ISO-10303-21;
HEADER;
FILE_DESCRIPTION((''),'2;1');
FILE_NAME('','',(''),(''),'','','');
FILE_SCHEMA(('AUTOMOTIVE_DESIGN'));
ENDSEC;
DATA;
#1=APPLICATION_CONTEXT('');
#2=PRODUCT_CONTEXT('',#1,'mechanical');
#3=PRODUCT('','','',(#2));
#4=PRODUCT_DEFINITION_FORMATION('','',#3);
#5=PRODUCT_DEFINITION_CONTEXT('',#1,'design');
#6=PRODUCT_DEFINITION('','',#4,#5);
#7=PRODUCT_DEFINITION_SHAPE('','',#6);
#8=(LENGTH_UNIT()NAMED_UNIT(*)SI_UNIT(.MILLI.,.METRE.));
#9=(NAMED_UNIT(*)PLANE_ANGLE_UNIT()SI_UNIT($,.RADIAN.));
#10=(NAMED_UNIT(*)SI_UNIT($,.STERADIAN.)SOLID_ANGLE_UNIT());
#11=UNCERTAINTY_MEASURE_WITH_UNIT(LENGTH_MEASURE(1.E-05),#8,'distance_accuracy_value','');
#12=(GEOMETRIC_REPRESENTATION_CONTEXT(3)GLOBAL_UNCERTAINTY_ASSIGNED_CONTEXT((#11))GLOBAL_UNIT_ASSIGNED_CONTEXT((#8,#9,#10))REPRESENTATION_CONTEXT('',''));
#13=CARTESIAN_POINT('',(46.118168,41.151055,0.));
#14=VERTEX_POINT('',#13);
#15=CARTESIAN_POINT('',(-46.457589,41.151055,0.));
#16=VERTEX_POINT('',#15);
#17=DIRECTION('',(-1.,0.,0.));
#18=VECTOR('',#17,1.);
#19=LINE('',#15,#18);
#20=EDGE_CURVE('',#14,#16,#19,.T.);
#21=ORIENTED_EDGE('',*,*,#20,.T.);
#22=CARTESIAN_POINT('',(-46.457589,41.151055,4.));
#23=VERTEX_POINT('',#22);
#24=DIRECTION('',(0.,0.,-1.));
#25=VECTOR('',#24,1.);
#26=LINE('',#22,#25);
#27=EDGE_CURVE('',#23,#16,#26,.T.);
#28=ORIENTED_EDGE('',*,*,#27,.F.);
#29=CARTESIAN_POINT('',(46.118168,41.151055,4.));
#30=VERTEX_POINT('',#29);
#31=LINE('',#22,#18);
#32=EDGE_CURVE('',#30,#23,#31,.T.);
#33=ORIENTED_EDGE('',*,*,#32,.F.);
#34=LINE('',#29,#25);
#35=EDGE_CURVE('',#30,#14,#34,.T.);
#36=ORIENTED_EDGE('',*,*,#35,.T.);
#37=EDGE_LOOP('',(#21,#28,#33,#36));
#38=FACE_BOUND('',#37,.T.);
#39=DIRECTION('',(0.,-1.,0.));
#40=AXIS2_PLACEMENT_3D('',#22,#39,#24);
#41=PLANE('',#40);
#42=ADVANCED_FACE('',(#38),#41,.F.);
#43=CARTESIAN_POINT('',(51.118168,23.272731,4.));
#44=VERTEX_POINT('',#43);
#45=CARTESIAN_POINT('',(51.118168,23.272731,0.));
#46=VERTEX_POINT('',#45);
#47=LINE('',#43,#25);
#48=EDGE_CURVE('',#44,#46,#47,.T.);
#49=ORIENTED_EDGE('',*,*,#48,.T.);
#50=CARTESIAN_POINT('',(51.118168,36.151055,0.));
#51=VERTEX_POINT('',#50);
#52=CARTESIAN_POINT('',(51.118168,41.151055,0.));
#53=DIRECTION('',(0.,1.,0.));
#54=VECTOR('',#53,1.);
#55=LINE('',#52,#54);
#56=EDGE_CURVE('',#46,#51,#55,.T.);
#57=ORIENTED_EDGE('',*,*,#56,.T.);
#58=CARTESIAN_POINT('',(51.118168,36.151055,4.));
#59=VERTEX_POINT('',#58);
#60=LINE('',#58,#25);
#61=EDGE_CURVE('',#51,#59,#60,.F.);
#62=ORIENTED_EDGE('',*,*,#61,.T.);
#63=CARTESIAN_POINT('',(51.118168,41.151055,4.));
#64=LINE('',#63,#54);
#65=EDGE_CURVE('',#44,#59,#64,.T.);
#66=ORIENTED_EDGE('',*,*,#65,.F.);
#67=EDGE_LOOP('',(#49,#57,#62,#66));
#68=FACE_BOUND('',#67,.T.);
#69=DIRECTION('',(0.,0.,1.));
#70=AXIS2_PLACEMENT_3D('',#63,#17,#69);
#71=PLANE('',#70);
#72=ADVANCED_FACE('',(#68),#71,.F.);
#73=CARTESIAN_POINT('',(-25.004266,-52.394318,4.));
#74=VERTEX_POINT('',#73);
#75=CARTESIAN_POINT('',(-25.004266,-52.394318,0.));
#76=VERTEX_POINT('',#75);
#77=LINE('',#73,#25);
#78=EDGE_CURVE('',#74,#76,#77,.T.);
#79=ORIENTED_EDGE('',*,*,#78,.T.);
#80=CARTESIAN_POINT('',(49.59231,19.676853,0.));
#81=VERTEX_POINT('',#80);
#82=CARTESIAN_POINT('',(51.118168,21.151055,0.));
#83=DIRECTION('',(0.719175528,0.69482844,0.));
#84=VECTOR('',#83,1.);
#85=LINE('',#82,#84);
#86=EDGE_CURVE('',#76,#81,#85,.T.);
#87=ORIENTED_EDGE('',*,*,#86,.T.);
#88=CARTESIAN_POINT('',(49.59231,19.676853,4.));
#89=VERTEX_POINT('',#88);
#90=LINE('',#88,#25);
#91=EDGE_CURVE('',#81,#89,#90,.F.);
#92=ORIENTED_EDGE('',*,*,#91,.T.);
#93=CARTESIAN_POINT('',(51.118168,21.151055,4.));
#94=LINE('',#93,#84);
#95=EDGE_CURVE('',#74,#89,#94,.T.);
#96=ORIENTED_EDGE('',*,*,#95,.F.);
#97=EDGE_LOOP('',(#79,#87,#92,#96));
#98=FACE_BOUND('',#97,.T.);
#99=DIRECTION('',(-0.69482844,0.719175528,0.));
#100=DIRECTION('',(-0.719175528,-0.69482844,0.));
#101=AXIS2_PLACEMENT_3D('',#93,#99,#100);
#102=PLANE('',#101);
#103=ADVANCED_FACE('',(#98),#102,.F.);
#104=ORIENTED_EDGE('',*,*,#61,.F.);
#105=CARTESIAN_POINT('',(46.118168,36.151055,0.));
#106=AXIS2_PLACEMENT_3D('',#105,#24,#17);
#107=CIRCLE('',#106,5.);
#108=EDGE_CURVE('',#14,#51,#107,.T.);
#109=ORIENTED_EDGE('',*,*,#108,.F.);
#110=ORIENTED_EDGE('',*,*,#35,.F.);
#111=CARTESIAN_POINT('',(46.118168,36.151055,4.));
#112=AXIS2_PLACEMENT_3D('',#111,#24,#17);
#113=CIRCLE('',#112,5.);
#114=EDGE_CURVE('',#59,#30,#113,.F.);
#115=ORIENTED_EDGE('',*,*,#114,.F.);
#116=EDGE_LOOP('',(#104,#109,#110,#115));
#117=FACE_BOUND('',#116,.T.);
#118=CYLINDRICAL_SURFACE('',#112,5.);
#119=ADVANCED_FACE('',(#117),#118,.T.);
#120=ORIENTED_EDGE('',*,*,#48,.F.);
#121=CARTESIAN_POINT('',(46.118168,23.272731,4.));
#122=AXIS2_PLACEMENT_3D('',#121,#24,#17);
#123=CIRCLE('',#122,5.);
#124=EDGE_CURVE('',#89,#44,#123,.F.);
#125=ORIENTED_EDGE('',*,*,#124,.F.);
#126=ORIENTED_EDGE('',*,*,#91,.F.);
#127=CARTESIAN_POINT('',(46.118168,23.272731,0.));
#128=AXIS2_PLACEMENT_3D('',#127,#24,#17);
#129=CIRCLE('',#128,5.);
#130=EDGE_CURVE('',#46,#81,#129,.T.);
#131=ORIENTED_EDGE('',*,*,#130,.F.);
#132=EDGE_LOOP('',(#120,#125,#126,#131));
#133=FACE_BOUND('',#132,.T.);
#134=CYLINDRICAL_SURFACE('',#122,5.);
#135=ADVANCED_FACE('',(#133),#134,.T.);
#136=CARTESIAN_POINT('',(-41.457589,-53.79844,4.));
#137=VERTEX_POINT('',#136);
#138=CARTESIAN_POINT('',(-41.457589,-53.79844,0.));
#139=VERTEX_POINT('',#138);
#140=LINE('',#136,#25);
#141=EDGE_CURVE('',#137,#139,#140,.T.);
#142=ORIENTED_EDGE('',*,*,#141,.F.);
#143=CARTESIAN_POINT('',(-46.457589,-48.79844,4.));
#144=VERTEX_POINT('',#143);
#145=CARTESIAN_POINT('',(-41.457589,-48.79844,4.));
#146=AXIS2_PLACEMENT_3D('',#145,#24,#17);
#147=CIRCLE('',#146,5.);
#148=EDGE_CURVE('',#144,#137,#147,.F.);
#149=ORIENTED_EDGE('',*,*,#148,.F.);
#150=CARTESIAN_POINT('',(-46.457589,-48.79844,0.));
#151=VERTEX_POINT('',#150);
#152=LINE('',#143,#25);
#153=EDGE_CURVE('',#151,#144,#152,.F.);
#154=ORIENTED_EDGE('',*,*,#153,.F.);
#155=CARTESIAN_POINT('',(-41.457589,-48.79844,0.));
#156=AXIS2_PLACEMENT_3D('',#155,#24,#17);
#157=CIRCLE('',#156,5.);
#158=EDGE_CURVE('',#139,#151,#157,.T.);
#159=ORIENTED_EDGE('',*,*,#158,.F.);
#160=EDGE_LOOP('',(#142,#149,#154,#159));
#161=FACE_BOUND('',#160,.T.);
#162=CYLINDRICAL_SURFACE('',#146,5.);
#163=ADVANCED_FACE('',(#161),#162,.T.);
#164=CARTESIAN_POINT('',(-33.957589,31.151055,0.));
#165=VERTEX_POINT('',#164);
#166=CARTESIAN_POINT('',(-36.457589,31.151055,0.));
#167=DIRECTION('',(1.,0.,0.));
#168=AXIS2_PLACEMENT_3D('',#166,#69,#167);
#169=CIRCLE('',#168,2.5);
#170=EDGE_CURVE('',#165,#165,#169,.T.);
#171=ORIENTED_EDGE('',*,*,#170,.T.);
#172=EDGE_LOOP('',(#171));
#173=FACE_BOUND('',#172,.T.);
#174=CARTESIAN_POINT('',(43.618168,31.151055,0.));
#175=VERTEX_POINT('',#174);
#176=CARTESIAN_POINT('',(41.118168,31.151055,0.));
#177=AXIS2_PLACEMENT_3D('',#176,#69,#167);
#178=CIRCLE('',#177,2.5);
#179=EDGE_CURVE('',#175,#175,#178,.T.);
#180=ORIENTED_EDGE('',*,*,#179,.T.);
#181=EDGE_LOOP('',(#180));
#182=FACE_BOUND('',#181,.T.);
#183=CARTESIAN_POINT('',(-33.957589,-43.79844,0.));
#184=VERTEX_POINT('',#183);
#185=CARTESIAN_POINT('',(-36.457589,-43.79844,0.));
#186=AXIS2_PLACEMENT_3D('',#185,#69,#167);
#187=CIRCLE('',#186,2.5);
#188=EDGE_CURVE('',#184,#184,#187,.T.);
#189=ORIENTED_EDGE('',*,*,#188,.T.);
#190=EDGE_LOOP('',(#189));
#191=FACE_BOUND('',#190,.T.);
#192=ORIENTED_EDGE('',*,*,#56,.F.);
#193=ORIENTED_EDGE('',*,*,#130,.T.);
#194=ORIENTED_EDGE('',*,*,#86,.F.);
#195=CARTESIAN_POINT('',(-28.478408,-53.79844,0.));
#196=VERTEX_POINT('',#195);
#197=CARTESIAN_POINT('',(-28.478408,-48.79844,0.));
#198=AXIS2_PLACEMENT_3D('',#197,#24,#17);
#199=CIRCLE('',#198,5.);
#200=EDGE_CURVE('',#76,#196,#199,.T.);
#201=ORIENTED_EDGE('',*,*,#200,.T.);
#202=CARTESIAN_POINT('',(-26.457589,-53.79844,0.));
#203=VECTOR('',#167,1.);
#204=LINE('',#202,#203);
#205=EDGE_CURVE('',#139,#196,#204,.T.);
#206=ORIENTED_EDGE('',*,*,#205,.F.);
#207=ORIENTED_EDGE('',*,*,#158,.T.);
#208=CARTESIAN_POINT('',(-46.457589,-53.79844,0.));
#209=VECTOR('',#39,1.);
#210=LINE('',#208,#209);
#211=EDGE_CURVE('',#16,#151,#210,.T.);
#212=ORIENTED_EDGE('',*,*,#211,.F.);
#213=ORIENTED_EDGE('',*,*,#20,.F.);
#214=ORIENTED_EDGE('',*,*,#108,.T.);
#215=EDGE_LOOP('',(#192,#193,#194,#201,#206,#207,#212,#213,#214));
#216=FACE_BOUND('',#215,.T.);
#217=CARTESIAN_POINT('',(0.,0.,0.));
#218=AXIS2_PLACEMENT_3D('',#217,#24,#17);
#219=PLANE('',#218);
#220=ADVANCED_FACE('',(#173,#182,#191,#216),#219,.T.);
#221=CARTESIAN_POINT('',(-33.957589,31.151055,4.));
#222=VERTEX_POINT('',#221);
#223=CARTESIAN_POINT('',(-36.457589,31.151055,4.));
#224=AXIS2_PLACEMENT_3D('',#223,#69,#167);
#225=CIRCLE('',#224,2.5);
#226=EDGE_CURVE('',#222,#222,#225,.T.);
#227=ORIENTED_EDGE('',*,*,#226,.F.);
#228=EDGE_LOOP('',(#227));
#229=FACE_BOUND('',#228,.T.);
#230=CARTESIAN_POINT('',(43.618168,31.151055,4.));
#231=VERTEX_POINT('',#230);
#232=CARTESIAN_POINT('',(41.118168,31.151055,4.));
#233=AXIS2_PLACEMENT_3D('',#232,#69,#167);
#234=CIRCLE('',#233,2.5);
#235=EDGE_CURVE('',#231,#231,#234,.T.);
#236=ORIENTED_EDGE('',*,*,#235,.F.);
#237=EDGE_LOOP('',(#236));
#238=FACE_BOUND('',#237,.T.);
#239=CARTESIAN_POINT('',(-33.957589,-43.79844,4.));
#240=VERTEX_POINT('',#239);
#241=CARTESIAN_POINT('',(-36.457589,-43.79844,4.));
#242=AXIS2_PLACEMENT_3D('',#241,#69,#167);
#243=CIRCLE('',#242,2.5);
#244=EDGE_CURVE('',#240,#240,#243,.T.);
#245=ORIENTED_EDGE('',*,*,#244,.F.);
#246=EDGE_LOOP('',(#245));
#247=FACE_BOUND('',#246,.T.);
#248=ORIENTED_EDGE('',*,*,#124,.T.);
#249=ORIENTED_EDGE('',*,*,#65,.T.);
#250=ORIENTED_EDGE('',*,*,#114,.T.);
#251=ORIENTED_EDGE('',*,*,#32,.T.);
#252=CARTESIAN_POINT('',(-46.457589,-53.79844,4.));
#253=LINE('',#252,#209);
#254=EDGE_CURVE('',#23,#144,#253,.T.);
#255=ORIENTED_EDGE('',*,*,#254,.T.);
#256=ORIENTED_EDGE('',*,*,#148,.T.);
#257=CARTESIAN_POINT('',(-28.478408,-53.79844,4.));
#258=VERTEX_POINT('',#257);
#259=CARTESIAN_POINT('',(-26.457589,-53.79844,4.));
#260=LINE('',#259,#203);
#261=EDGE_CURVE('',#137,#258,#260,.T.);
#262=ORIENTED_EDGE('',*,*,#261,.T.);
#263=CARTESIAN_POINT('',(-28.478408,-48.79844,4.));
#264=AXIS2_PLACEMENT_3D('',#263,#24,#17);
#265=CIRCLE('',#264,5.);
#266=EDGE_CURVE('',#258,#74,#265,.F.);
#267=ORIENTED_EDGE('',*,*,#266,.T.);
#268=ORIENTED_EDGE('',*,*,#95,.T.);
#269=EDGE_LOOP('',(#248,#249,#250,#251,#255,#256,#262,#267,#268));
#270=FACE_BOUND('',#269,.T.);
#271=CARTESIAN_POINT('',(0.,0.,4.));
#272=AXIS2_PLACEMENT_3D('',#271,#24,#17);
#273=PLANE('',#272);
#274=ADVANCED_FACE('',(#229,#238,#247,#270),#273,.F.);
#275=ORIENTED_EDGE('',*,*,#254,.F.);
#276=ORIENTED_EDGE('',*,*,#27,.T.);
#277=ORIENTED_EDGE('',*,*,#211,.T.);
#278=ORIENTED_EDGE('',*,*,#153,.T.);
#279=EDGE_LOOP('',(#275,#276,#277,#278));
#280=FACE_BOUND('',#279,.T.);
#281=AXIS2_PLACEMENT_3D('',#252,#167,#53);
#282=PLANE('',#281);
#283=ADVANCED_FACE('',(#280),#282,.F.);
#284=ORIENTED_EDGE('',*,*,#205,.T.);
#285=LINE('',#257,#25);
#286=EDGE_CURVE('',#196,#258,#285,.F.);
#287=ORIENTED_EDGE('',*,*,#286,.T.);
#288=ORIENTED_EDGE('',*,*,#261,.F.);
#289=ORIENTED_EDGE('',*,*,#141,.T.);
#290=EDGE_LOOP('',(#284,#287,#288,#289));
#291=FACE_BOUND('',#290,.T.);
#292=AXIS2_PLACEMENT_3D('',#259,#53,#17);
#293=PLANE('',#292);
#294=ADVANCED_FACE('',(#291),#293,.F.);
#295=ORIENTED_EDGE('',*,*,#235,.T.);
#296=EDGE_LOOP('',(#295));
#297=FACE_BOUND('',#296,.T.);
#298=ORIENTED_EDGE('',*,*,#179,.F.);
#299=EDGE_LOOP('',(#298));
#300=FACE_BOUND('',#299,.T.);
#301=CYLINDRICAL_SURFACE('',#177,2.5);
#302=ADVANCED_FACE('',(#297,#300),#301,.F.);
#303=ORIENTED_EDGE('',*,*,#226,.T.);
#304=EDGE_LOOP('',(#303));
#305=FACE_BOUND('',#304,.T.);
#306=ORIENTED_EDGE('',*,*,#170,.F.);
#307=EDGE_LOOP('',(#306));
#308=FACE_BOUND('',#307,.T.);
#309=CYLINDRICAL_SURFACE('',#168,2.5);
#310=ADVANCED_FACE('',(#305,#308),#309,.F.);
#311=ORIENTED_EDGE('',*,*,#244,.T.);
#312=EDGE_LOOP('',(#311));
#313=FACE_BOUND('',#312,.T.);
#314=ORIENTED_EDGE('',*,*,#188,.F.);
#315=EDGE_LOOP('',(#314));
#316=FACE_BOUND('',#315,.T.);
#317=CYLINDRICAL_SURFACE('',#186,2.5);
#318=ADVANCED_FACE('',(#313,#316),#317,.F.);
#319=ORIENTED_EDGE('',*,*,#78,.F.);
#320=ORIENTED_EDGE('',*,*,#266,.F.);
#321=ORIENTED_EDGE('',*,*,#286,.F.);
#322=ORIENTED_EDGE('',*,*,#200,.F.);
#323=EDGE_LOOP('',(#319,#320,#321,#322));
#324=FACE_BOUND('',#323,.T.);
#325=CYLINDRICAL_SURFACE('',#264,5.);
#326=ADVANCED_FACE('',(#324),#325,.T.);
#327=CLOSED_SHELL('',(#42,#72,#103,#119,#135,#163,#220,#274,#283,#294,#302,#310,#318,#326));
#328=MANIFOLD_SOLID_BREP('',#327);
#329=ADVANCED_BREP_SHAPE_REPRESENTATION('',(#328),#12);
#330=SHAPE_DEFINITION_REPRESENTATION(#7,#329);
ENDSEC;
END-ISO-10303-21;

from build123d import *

# Parameters (mm, degrees)
BOSS_EXTRU_1_DEPTH      = 4
ESQUISSE2_R             = 2.5
ENL_V_MAT_EXTRU_1_DEPTH = 4
CONG_1_R                = 5


with BuildPart() as part:
    # Esquisse1 → Boss.-Extru.1 (new body)
    with BuildSketch(Plane.XY):
        Polygon((-46.45758945, 41.15105452), (51.118168125, 41.15105452), (51.118168125, 21.15105452), (-26.45758945, -53.798440429), (-46.45758945, -53.798440429), align=None)
    extrude(amount=BOSS_EXTRU_1_DEPTH)

    # Esquisse2 → Enlèv. mat.-Extru.1 (cut)
    with BuildSketch(Plane.XY.offset(4)):
        with Locations((-36.45758945, 31.15105452)):
            Circle(ESQUISSE2_R)
        with Locations((41.118168125, 31.15105452)):
            Circle(ESQUISSE2_R)
        with Locations((-36.45758945, -43.798440429)):
            Circle(ESQUISSE2_R)
    extrude(amount=-ENL_V_MAT_EXTRU_1_DEPTH, mode=Mode.SUBTRACT)

    # Congé1
    cong_1_edges = [part.edges().sort_by_distance(p)[0] for p in [
        (51.118168125, 41.15105452, 2),
        (51.118168125, 21.15105452, 2),
        (-26.45758945, -53.798440429, 2),
        (-46.45758945, -53.798440429, 2),
    ]]
    fillet(cong_1_edges, radius=CONG_1_R)


solid = part.part
